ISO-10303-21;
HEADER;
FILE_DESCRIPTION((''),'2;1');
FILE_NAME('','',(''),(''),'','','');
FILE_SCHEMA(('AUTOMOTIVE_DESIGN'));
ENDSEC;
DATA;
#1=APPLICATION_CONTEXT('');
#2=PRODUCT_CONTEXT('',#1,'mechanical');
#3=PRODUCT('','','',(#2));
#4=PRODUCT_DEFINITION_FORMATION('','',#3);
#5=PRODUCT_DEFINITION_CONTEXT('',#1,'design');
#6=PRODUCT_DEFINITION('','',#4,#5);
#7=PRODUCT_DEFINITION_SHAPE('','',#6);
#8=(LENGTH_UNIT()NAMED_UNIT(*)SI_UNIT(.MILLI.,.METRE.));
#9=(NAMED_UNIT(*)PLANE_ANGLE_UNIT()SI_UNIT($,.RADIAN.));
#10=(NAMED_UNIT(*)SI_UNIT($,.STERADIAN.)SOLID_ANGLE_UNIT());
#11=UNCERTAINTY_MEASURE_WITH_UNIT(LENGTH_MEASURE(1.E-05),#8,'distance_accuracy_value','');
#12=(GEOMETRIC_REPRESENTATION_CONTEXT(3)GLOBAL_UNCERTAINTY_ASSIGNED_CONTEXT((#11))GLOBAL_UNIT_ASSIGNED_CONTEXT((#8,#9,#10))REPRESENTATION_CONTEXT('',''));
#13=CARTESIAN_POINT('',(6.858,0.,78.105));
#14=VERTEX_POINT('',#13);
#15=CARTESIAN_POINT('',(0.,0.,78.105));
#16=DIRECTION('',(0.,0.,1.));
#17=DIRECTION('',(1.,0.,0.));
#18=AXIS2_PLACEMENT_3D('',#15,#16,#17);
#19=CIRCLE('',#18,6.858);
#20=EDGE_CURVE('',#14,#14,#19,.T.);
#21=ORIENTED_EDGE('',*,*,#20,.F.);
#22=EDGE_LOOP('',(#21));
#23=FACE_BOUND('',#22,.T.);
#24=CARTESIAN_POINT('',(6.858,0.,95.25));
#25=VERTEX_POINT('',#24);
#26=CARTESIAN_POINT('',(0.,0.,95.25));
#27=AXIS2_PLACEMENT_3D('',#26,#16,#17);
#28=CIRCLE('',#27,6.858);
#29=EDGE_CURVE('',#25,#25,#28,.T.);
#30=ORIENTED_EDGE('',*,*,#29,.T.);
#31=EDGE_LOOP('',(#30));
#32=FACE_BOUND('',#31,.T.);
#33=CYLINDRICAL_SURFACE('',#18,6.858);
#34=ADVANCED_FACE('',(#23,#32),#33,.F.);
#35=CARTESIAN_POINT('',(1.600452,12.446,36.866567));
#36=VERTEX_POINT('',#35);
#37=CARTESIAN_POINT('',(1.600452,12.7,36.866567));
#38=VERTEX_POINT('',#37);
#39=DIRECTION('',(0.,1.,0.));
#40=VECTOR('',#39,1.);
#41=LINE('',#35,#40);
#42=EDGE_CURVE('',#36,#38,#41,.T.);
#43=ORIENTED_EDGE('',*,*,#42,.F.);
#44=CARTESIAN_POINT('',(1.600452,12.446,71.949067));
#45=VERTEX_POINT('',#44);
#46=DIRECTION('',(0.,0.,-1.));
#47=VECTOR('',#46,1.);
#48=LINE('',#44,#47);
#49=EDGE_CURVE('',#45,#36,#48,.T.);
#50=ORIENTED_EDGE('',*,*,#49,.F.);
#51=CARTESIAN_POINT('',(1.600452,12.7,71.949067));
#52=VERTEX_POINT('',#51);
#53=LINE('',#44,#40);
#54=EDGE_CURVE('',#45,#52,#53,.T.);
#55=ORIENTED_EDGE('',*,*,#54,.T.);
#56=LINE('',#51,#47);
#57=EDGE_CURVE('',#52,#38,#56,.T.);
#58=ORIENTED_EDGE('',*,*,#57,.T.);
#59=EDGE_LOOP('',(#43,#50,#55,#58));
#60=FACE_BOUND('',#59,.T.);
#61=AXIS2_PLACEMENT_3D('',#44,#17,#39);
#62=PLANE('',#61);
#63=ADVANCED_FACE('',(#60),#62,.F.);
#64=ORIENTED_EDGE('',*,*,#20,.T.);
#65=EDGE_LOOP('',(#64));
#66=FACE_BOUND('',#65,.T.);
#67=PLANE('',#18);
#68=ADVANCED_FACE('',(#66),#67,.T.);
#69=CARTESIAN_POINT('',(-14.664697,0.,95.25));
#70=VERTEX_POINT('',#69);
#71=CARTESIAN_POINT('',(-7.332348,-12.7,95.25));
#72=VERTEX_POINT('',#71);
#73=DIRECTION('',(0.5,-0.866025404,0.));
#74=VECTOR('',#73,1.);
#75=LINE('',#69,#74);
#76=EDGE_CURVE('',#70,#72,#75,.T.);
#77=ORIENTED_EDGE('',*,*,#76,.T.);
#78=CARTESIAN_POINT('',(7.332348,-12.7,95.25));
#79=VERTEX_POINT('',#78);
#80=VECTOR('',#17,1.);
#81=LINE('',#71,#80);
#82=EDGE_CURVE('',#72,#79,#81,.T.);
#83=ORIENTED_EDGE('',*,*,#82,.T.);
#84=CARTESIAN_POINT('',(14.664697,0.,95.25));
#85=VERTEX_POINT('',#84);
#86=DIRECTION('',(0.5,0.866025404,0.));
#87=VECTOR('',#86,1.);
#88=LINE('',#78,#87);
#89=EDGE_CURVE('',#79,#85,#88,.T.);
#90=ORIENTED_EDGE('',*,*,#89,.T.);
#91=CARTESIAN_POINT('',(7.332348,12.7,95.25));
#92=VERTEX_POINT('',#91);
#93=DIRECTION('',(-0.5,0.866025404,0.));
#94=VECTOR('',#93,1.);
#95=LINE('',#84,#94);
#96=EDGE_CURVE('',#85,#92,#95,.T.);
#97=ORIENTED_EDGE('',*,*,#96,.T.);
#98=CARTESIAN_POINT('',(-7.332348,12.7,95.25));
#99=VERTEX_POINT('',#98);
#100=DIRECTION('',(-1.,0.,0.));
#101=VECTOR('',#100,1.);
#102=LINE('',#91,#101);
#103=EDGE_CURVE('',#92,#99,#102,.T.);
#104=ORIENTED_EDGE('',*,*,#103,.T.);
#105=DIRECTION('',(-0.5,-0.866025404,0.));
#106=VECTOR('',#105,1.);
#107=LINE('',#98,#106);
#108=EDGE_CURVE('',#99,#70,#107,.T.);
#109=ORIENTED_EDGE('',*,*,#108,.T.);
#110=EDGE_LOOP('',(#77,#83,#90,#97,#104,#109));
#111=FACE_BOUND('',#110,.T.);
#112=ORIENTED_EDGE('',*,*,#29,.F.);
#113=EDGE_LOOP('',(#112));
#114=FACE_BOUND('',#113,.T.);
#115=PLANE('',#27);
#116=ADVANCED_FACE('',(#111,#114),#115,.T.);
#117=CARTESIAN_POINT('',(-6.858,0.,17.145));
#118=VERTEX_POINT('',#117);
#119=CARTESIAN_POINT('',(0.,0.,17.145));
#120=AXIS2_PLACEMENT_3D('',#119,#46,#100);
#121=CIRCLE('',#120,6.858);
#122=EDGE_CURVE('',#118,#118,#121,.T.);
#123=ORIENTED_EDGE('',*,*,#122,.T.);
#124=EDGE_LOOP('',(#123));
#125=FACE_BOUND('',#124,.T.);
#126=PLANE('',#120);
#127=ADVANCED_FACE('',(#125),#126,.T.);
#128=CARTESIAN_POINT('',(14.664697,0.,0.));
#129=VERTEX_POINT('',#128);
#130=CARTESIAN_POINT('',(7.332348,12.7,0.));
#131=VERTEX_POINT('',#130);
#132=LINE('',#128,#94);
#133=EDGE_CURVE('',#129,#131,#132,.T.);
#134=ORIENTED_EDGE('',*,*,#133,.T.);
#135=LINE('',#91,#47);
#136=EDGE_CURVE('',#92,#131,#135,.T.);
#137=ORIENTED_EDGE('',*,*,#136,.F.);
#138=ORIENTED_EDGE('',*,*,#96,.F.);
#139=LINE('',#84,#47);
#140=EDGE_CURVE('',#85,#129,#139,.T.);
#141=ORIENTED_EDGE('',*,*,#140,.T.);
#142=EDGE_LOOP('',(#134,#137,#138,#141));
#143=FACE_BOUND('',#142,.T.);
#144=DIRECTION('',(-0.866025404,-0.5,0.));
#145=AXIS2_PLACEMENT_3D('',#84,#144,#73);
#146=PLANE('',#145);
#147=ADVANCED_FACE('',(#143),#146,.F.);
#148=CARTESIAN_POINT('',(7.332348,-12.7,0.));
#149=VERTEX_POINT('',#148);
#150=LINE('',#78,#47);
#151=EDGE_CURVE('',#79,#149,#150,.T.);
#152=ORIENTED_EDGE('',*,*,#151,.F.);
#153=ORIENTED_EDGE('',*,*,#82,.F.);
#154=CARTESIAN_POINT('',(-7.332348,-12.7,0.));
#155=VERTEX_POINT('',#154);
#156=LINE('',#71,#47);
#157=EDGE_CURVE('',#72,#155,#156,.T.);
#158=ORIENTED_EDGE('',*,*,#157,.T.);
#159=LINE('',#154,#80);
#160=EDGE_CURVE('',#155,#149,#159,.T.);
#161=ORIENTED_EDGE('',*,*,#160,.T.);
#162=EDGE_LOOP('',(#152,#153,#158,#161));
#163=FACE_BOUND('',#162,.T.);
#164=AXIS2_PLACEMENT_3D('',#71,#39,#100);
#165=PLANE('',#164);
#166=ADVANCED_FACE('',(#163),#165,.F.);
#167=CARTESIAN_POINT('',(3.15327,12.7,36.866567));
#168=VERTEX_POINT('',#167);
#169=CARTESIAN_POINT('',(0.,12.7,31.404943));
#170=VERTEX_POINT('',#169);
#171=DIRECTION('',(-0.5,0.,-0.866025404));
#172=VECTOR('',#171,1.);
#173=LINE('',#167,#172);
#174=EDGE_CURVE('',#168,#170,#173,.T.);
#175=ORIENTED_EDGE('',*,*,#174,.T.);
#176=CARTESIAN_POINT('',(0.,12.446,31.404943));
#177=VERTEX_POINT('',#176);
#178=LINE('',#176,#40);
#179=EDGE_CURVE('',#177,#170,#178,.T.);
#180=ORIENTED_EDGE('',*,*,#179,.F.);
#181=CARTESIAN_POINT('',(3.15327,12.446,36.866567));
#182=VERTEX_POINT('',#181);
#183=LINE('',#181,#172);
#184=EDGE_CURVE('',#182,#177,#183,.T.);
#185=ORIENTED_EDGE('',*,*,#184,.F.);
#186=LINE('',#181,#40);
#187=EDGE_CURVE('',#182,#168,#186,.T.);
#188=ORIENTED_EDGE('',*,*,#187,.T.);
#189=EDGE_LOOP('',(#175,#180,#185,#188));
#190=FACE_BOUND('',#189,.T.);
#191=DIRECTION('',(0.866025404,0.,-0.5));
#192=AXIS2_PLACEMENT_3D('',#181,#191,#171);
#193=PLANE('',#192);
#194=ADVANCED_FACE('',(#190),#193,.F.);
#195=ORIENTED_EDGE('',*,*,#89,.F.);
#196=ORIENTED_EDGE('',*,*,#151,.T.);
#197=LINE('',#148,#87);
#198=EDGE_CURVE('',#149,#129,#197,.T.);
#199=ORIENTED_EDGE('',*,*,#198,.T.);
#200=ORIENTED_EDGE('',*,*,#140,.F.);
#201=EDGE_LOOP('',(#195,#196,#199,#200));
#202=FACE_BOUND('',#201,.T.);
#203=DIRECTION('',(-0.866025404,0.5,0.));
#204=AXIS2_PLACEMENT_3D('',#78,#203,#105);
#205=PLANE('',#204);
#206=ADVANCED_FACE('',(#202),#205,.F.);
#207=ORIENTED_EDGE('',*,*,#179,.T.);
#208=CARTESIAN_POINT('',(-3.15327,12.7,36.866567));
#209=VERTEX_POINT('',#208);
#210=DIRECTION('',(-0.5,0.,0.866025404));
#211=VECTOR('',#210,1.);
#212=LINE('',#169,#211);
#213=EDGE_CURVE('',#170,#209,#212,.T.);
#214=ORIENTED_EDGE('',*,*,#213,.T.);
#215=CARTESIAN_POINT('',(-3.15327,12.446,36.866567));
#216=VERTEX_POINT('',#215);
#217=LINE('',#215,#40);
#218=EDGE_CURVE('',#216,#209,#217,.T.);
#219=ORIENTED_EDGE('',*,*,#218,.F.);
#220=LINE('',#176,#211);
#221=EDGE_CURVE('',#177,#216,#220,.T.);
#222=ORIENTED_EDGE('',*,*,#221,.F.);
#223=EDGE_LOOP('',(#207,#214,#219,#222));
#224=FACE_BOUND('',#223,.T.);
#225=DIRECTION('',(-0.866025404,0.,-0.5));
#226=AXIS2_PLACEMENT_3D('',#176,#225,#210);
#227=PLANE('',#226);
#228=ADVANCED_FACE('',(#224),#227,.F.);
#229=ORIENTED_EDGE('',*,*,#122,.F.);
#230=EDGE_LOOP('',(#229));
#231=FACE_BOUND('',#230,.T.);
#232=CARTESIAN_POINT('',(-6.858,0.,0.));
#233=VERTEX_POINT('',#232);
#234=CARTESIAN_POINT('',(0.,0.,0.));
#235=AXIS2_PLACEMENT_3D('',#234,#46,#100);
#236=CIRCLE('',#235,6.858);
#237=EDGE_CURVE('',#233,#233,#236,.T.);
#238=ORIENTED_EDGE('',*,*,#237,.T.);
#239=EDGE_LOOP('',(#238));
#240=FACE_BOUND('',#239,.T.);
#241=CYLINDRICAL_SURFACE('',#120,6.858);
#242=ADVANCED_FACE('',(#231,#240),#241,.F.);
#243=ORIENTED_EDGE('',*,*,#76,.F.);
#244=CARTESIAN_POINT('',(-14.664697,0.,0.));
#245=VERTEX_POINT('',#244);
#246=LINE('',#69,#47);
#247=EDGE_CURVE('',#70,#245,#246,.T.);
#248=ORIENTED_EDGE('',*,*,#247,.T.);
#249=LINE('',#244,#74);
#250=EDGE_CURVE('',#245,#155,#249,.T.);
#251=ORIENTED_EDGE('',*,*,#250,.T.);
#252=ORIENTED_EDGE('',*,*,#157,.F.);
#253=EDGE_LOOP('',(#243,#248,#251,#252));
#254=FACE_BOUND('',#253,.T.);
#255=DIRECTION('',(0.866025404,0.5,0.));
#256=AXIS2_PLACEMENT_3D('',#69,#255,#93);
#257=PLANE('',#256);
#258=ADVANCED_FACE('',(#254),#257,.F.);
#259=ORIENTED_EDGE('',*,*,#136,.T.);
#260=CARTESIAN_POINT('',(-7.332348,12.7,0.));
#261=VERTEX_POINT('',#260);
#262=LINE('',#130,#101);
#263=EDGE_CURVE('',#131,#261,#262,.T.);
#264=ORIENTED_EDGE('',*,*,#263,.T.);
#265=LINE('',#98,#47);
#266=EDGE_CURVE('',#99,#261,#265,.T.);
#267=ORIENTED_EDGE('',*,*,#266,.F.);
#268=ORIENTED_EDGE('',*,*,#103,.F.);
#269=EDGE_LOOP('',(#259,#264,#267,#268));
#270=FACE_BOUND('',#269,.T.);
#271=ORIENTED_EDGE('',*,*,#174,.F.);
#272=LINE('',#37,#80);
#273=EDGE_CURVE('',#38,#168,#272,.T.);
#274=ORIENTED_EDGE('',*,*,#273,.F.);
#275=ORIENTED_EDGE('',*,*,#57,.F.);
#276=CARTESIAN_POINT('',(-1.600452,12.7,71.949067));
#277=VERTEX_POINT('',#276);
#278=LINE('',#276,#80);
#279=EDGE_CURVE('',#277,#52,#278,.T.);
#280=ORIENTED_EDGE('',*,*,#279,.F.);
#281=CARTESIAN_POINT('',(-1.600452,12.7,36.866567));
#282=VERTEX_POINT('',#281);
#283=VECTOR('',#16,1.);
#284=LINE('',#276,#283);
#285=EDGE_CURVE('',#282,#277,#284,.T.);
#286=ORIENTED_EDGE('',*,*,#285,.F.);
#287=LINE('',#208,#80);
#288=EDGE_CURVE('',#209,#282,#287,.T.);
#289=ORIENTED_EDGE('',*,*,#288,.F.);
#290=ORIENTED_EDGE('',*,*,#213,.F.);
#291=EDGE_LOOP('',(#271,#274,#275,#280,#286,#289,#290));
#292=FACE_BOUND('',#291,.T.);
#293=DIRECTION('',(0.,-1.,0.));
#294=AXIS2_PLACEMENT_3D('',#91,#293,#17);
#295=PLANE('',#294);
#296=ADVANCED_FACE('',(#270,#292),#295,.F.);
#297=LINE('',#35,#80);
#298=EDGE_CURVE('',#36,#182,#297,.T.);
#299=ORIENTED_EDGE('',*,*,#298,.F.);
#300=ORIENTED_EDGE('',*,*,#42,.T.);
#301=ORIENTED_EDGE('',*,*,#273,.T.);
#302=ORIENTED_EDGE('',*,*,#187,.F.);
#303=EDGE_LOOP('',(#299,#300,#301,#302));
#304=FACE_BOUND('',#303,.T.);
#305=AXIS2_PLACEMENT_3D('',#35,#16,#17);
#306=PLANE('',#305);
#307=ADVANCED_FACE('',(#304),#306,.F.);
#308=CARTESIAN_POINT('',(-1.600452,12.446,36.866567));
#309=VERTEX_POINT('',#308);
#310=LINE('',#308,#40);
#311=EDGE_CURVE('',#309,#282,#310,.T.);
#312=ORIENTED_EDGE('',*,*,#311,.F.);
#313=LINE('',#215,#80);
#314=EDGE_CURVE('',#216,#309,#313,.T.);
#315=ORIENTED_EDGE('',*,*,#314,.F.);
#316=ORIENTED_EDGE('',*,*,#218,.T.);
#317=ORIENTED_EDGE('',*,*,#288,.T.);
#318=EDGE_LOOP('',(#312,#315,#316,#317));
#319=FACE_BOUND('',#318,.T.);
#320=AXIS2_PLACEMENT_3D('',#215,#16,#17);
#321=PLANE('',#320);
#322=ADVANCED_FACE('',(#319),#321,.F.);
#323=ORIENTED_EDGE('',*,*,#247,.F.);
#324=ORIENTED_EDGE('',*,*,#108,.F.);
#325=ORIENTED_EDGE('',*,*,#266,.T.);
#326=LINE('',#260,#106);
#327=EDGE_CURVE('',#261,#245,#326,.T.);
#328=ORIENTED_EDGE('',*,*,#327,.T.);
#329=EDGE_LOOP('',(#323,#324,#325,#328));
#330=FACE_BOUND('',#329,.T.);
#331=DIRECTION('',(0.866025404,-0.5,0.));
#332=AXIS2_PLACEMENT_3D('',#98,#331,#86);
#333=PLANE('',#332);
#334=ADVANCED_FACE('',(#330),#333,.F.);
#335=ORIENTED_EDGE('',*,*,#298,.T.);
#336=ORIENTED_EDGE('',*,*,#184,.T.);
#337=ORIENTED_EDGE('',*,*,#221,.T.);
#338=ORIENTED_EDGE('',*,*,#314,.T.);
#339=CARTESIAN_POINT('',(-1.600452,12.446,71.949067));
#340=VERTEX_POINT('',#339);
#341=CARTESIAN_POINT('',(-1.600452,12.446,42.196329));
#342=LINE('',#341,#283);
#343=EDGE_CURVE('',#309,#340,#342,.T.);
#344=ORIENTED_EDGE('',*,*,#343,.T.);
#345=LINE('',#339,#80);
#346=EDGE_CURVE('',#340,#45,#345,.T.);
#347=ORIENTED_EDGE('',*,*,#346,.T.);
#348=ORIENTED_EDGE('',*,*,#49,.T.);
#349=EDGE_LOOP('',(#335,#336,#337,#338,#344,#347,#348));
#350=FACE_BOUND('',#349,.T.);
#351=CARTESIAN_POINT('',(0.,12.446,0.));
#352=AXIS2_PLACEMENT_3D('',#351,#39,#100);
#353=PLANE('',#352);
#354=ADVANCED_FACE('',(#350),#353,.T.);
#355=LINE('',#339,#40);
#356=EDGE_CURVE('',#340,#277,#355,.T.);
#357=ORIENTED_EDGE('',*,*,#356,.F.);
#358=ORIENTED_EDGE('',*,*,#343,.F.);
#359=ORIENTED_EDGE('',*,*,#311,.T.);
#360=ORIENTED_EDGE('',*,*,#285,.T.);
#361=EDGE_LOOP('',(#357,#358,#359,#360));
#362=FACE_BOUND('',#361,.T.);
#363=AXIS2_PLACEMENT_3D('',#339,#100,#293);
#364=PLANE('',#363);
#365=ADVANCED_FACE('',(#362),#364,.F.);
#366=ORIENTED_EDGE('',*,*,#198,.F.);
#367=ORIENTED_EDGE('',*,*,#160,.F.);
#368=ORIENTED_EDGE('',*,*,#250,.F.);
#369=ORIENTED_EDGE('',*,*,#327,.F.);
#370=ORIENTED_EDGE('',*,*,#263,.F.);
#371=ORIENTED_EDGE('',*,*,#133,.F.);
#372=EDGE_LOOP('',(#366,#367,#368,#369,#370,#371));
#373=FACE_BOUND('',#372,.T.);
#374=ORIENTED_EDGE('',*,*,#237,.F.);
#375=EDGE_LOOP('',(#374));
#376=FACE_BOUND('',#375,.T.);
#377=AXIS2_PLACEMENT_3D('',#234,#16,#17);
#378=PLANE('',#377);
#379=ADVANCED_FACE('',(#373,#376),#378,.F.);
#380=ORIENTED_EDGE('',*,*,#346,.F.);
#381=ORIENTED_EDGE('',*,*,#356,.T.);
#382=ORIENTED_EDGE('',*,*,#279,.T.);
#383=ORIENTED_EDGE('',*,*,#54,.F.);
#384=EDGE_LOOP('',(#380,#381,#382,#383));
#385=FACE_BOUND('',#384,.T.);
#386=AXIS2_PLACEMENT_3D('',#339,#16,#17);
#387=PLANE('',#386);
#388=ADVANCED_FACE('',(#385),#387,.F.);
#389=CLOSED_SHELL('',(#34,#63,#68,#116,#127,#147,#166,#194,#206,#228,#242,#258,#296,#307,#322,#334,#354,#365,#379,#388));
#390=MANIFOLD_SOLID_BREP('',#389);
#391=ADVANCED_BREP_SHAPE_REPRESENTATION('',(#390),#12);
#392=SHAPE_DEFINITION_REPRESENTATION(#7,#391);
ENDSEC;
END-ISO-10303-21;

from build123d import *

# Parameters (mm, degrees)
BOSS_EXTRUDE1_DEPTH = 95.25
SKETCH2_R           = 6.858
CUT_EXTRUDE1_DEPTH  = 17.145
SKETCH3_R           = 6.858
CUT_EXTRUDE2_DEPTH  = 17.145
CUT_EXTRUDE3_DEPTH  = 0.254


with BuildPart() as part:
    # Sketch1 → Boss-Extrude1 (new body)
    with BuildSketch(Plane.XY):
        Polygon((14.664696837, 0), (7.332348419, 12.7), (-7.332348419, 12.7), (-14.664696837, 0), (-7.332348419, -12.7), (7.332348419, -12.7), align=None)
    extrude(amount=BOSS_EXTRUDE1_DEPTH)

    # Sketch2 → Cut-Extrude1 (cut)
    with BuildSketch(Plane.XY.offset(95.25)):
        Circle(SKETCH2_R)
    extrude(amount=-CUT_EXTRUDE1_DEPTH, mode=Mode.SUBTRACT)

    # Sketch3 → Cut-Extrude2 (cut)
    with BuildSketch(Plane(origin=(0, 0, 0), x_dir=(-1, 0, 0), z_dir=(0, 0, -1))):
        Circle(SKETCH3_R)
    extrude(amount=-CUT_EXTRUDE2_DEPTH, mode=Mode.SUBTRACT)

    # Sketch5 → Cut-Extrude3 (cut)
    with BuildSketch(Plane(origin=(0, 12.7, 0), x_dir=(1, 0, 0), z_dir=(0, 1, 0))):
        Polygon((-1.600451542, -71.949067171), (1.600451542, -71.949067171), (1.600451542, -36.866567036), (3.153270171, -36.866567036), (0, -31.40494289), (-3.153270171, -36.866567036), (-1.600451542, -36.866567036), (-1.600451542, -42.196329226), align=None)
    extrude(amount=-CUT_EXTRUDE3_DEPTH, mode=Mode.SUBTRACT)


solid = part.part
